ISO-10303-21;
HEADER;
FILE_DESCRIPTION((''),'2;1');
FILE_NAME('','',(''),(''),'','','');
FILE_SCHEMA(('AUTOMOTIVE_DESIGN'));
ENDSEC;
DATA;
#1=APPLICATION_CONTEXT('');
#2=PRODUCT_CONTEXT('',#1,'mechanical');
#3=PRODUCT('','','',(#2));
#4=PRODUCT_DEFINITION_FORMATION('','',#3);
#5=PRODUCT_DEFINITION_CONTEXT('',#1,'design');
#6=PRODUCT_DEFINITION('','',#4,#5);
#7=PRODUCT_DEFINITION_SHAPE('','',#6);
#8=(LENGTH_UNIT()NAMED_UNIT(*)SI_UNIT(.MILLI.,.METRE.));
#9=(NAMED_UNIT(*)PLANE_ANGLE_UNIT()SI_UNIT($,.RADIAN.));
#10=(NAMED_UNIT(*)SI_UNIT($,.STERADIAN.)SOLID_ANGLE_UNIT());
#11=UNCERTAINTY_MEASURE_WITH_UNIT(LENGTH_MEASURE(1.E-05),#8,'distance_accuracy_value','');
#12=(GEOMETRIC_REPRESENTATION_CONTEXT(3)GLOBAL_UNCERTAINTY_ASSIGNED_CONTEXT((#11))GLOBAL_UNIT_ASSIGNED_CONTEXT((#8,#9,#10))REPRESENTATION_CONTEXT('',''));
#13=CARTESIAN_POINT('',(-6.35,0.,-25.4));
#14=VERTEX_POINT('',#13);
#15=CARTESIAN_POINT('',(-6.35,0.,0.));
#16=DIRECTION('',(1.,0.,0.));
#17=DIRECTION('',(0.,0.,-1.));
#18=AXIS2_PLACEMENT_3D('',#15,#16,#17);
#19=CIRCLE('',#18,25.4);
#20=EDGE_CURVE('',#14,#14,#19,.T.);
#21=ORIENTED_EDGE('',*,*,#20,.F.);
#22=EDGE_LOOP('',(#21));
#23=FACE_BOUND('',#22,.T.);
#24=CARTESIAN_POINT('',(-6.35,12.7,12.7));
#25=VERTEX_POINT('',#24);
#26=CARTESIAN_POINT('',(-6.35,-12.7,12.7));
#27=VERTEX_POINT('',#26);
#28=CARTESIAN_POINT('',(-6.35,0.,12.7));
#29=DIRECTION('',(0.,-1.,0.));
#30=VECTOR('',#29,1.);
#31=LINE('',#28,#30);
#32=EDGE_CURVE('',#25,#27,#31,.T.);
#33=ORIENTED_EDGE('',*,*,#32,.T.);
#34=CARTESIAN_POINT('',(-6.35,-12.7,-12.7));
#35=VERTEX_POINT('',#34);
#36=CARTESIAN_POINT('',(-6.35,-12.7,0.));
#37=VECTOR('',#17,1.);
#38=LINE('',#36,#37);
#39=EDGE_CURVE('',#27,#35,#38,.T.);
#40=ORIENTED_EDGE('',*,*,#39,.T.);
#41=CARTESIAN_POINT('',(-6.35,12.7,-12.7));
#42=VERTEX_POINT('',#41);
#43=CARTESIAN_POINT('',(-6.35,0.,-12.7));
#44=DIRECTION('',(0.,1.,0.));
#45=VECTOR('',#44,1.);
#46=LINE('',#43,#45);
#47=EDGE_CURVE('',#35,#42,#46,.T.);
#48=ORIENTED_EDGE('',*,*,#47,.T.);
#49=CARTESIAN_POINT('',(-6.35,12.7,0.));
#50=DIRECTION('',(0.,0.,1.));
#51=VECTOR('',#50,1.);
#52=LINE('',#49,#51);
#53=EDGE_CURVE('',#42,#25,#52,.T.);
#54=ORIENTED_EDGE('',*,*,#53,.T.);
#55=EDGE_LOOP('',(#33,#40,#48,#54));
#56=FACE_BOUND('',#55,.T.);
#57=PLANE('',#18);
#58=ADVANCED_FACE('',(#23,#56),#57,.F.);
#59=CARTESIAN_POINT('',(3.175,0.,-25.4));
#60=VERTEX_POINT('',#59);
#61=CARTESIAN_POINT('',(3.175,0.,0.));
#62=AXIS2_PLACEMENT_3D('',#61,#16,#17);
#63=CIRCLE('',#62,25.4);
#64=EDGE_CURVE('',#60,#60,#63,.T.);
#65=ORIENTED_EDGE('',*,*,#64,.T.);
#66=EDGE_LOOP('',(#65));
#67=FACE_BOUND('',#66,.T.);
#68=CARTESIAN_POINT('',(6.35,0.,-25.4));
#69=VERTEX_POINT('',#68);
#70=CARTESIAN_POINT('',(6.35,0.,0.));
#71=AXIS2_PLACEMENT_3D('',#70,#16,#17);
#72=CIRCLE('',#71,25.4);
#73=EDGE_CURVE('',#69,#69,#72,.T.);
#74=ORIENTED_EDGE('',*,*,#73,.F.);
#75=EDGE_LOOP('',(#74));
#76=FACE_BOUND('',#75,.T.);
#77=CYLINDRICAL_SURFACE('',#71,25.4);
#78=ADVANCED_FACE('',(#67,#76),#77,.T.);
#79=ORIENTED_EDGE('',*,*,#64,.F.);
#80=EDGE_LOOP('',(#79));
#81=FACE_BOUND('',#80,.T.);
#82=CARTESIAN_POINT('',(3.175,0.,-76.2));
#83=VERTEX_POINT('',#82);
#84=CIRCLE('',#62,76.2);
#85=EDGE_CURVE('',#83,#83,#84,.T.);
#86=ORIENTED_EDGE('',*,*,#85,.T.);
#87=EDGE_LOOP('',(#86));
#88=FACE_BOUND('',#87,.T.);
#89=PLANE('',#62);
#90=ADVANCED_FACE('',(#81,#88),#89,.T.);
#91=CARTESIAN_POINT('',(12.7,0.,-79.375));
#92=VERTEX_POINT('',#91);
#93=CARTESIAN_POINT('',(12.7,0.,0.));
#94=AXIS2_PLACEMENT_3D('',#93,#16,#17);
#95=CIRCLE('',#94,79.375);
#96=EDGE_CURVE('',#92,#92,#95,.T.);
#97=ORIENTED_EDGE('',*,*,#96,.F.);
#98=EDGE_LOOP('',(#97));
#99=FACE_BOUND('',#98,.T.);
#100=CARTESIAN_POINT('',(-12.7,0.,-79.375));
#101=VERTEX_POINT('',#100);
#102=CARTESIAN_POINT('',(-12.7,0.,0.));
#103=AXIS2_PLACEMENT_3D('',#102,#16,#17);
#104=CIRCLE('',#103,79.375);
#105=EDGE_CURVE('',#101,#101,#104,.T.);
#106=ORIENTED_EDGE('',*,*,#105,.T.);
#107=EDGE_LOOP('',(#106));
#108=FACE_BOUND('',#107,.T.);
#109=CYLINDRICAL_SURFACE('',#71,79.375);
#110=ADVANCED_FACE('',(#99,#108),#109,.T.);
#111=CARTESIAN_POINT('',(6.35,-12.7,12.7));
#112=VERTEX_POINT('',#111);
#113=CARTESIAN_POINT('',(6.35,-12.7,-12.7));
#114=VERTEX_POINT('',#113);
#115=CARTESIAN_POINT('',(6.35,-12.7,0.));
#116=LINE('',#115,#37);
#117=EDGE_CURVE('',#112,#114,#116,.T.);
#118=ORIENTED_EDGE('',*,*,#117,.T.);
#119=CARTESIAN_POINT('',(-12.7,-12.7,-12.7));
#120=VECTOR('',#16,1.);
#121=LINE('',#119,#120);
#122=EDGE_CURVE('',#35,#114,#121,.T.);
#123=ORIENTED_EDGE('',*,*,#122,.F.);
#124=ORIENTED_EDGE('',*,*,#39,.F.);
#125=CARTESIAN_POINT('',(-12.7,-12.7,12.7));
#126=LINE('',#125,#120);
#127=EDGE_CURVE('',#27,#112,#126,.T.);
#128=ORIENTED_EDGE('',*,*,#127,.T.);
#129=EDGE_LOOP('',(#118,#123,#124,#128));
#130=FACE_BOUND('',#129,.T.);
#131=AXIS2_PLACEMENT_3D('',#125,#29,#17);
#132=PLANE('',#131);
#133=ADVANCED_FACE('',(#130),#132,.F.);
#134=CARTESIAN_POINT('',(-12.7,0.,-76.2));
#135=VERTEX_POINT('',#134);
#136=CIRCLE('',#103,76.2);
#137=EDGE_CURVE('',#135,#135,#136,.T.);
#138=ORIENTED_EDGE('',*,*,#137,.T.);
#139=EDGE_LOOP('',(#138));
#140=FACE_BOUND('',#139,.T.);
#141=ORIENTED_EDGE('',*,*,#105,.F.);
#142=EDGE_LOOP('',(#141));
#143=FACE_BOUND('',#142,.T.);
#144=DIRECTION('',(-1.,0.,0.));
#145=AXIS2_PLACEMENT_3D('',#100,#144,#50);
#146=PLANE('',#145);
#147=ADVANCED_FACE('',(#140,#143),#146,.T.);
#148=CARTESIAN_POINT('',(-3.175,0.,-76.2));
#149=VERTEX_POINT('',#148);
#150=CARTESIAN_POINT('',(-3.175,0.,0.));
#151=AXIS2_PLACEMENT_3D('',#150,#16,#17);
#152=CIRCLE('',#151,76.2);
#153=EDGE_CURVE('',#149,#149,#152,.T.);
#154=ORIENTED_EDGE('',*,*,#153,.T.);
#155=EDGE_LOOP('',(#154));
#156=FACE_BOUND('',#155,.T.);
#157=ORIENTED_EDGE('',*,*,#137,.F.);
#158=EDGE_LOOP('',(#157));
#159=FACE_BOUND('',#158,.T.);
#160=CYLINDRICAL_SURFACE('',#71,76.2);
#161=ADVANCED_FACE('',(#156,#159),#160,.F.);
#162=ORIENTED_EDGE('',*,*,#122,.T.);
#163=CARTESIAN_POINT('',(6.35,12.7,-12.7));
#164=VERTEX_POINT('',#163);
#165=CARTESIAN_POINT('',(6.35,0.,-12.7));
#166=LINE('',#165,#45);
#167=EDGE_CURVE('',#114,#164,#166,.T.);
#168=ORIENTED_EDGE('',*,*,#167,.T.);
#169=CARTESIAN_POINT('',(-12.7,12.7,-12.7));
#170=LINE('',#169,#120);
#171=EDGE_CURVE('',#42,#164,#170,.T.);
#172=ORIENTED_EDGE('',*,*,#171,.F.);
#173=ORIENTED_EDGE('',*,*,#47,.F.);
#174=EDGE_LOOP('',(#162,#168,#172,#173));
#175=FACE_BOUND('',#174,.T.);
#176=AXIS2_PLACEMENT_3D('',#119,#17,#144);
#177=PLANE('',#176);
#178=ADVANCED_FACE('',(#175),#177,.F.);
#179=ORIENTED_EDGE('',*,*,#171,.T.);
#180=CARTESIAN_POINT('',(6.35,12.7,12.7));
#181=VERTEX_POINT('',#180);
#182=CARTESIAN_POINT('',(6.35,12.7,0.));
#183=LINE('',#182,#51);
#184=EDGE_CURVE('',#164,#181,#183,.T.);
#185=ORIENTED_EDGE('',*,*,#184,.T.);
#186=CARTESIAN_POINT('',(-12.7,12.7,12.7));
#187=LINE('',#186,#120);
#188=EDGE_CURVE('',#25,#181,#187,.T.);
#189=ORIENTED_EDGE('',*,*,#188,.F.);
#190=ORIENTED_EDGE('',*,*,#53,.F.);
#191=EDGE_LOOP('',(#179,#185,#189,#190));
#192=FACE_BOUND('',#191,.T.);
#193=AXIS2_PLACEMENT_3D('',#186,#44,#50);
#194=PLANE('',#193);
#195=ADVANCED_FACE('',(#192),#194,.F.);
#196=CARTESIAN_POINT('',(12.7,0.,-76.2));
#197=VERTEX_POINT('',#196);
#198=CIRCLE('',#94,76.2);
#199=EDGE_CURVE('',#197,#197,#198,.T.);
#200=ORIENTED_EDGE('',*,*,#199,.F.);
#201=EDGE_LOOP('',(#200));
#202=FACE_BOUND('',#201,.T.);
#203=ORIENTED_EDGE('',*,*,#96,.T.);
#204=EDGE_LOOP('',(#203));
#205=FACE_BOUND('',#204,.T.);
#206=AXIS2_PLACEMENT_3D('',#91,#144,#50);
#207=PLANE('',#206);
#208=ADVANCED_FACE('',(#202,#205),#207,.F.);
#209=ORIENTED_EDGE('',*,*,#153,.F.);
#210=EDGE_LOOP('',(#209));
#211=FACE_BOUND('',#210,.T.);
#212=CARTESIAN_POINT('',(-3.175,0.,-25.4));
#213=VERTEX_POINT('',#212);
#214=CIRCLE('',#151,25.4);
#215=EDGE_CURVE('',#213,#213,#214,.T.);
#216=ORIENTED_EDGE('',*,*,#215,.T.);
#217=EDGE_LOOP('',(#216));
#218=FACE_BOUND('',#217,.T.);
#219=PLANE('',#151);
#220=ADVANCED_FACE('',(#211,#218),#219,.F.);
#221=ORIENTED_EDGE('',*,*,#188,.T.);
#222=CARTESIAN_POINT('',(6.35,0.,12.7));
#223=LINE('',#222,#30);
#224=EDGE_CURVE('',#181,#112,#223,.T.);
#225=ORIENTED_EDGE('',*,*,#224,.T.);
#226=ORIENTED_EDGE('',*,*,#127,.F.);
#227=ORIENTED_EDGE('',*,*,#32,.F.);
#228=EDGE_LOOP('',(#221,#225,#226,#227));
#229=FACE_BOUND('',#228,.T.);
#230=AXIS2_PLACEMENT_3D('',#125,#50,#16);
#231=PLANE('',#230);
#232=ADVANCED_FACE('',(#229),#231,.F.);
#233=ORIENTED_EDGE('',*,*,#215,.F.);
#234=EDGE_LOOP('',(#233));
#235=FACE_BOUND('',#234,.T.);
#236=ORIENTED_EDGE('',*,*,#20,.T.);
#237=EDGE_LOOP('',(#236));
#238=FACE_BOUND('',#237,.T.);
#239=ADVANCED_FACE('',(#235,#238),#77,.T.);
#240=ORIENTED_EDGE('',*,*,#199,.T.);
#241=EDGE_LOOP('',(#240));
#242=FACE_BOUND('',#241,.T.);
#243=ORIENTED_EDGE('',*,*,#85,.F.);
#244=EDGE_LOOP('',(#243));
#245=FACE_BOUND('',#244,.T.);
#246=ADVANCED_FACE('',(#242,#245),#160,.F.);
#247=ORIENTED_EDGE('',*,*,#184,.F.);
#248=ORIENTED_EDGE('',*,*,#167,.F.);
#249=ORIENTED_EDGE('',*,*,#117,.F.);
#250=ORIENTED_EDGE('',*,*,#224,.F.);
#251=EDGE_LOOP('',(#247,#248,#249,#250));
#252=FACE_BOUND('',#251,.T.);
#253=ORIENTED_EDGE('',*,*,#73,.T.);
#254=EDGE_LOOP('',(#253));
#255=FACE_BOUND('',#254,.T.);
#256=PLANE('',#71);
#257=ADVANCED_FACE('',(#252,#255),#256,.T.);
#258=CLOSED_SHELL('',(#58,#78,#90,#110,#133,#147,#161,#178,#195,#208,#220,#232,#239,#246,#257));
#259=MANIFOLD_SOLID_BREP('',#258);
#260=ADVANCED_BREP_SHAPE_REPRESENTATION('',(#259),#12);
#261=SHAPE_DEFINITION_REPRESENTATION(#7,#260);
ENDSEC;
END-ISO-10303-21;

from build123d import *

# Parameters (mm, degrees)
SKETCH1_W               = 6.35
SKETCH1_H               = 50.8
SKETCH1_W_2             = 12.7
SKETCH1_H_2             = 25.4
SKETCH1_W_3             = 25.4
SKETCH1_H_3             = 3.175
CUT_EXTRUDE1_DEPTH      = 114.858173839
CUT_EXTRUDE1_DEPTH_BACK = 114.858173839
SKETCH2_W               = 25.4
SKETCH2_H               = 25.4


with BuildPart() as part:
    # Sketch1 → Revolve1 (revolve)
    with BuildSketch(Plane(origin=(0, 0, 0), x_dir=(1, 0, 0), z_dir=(0, 1, 0))):
        with Locations((0, 50.8)):
            Rectangle(SKETCH1_W, SKETCH1_H)
        with Locations((0, 12.7)):
            Rectangle(SKETCH1_W_2, SKETCH1_H_2)
        with Locations((0, 77.7875)):
            Rectangle(SKETCH1_W_3, SKETCH1_H_3)
    revolve(axis=Axis((6.35, 0, 0), (-1, 0, 0)))

    # Sketch2 → Cut-Extrude1 (cut, two sides: drawn at the far end of the back side and taken through both)
    with BuildSketch(Plane(origin=(6.35, 0, 0), x_dir=(0, 0, -1), z_dir=(1, 0, 0)).offset(-CUT_EXTRUDE1_DEPTH_BACK)):
        Rectangle(SKETCH2_W, SKETCH2_H)
    extrude(amount=CUT_EXTRUDE1_DEPTH + CUT_EXTRUDE1_DEPTH_BACK, mode=Mode.SUBTRACT)


solid = part.part
